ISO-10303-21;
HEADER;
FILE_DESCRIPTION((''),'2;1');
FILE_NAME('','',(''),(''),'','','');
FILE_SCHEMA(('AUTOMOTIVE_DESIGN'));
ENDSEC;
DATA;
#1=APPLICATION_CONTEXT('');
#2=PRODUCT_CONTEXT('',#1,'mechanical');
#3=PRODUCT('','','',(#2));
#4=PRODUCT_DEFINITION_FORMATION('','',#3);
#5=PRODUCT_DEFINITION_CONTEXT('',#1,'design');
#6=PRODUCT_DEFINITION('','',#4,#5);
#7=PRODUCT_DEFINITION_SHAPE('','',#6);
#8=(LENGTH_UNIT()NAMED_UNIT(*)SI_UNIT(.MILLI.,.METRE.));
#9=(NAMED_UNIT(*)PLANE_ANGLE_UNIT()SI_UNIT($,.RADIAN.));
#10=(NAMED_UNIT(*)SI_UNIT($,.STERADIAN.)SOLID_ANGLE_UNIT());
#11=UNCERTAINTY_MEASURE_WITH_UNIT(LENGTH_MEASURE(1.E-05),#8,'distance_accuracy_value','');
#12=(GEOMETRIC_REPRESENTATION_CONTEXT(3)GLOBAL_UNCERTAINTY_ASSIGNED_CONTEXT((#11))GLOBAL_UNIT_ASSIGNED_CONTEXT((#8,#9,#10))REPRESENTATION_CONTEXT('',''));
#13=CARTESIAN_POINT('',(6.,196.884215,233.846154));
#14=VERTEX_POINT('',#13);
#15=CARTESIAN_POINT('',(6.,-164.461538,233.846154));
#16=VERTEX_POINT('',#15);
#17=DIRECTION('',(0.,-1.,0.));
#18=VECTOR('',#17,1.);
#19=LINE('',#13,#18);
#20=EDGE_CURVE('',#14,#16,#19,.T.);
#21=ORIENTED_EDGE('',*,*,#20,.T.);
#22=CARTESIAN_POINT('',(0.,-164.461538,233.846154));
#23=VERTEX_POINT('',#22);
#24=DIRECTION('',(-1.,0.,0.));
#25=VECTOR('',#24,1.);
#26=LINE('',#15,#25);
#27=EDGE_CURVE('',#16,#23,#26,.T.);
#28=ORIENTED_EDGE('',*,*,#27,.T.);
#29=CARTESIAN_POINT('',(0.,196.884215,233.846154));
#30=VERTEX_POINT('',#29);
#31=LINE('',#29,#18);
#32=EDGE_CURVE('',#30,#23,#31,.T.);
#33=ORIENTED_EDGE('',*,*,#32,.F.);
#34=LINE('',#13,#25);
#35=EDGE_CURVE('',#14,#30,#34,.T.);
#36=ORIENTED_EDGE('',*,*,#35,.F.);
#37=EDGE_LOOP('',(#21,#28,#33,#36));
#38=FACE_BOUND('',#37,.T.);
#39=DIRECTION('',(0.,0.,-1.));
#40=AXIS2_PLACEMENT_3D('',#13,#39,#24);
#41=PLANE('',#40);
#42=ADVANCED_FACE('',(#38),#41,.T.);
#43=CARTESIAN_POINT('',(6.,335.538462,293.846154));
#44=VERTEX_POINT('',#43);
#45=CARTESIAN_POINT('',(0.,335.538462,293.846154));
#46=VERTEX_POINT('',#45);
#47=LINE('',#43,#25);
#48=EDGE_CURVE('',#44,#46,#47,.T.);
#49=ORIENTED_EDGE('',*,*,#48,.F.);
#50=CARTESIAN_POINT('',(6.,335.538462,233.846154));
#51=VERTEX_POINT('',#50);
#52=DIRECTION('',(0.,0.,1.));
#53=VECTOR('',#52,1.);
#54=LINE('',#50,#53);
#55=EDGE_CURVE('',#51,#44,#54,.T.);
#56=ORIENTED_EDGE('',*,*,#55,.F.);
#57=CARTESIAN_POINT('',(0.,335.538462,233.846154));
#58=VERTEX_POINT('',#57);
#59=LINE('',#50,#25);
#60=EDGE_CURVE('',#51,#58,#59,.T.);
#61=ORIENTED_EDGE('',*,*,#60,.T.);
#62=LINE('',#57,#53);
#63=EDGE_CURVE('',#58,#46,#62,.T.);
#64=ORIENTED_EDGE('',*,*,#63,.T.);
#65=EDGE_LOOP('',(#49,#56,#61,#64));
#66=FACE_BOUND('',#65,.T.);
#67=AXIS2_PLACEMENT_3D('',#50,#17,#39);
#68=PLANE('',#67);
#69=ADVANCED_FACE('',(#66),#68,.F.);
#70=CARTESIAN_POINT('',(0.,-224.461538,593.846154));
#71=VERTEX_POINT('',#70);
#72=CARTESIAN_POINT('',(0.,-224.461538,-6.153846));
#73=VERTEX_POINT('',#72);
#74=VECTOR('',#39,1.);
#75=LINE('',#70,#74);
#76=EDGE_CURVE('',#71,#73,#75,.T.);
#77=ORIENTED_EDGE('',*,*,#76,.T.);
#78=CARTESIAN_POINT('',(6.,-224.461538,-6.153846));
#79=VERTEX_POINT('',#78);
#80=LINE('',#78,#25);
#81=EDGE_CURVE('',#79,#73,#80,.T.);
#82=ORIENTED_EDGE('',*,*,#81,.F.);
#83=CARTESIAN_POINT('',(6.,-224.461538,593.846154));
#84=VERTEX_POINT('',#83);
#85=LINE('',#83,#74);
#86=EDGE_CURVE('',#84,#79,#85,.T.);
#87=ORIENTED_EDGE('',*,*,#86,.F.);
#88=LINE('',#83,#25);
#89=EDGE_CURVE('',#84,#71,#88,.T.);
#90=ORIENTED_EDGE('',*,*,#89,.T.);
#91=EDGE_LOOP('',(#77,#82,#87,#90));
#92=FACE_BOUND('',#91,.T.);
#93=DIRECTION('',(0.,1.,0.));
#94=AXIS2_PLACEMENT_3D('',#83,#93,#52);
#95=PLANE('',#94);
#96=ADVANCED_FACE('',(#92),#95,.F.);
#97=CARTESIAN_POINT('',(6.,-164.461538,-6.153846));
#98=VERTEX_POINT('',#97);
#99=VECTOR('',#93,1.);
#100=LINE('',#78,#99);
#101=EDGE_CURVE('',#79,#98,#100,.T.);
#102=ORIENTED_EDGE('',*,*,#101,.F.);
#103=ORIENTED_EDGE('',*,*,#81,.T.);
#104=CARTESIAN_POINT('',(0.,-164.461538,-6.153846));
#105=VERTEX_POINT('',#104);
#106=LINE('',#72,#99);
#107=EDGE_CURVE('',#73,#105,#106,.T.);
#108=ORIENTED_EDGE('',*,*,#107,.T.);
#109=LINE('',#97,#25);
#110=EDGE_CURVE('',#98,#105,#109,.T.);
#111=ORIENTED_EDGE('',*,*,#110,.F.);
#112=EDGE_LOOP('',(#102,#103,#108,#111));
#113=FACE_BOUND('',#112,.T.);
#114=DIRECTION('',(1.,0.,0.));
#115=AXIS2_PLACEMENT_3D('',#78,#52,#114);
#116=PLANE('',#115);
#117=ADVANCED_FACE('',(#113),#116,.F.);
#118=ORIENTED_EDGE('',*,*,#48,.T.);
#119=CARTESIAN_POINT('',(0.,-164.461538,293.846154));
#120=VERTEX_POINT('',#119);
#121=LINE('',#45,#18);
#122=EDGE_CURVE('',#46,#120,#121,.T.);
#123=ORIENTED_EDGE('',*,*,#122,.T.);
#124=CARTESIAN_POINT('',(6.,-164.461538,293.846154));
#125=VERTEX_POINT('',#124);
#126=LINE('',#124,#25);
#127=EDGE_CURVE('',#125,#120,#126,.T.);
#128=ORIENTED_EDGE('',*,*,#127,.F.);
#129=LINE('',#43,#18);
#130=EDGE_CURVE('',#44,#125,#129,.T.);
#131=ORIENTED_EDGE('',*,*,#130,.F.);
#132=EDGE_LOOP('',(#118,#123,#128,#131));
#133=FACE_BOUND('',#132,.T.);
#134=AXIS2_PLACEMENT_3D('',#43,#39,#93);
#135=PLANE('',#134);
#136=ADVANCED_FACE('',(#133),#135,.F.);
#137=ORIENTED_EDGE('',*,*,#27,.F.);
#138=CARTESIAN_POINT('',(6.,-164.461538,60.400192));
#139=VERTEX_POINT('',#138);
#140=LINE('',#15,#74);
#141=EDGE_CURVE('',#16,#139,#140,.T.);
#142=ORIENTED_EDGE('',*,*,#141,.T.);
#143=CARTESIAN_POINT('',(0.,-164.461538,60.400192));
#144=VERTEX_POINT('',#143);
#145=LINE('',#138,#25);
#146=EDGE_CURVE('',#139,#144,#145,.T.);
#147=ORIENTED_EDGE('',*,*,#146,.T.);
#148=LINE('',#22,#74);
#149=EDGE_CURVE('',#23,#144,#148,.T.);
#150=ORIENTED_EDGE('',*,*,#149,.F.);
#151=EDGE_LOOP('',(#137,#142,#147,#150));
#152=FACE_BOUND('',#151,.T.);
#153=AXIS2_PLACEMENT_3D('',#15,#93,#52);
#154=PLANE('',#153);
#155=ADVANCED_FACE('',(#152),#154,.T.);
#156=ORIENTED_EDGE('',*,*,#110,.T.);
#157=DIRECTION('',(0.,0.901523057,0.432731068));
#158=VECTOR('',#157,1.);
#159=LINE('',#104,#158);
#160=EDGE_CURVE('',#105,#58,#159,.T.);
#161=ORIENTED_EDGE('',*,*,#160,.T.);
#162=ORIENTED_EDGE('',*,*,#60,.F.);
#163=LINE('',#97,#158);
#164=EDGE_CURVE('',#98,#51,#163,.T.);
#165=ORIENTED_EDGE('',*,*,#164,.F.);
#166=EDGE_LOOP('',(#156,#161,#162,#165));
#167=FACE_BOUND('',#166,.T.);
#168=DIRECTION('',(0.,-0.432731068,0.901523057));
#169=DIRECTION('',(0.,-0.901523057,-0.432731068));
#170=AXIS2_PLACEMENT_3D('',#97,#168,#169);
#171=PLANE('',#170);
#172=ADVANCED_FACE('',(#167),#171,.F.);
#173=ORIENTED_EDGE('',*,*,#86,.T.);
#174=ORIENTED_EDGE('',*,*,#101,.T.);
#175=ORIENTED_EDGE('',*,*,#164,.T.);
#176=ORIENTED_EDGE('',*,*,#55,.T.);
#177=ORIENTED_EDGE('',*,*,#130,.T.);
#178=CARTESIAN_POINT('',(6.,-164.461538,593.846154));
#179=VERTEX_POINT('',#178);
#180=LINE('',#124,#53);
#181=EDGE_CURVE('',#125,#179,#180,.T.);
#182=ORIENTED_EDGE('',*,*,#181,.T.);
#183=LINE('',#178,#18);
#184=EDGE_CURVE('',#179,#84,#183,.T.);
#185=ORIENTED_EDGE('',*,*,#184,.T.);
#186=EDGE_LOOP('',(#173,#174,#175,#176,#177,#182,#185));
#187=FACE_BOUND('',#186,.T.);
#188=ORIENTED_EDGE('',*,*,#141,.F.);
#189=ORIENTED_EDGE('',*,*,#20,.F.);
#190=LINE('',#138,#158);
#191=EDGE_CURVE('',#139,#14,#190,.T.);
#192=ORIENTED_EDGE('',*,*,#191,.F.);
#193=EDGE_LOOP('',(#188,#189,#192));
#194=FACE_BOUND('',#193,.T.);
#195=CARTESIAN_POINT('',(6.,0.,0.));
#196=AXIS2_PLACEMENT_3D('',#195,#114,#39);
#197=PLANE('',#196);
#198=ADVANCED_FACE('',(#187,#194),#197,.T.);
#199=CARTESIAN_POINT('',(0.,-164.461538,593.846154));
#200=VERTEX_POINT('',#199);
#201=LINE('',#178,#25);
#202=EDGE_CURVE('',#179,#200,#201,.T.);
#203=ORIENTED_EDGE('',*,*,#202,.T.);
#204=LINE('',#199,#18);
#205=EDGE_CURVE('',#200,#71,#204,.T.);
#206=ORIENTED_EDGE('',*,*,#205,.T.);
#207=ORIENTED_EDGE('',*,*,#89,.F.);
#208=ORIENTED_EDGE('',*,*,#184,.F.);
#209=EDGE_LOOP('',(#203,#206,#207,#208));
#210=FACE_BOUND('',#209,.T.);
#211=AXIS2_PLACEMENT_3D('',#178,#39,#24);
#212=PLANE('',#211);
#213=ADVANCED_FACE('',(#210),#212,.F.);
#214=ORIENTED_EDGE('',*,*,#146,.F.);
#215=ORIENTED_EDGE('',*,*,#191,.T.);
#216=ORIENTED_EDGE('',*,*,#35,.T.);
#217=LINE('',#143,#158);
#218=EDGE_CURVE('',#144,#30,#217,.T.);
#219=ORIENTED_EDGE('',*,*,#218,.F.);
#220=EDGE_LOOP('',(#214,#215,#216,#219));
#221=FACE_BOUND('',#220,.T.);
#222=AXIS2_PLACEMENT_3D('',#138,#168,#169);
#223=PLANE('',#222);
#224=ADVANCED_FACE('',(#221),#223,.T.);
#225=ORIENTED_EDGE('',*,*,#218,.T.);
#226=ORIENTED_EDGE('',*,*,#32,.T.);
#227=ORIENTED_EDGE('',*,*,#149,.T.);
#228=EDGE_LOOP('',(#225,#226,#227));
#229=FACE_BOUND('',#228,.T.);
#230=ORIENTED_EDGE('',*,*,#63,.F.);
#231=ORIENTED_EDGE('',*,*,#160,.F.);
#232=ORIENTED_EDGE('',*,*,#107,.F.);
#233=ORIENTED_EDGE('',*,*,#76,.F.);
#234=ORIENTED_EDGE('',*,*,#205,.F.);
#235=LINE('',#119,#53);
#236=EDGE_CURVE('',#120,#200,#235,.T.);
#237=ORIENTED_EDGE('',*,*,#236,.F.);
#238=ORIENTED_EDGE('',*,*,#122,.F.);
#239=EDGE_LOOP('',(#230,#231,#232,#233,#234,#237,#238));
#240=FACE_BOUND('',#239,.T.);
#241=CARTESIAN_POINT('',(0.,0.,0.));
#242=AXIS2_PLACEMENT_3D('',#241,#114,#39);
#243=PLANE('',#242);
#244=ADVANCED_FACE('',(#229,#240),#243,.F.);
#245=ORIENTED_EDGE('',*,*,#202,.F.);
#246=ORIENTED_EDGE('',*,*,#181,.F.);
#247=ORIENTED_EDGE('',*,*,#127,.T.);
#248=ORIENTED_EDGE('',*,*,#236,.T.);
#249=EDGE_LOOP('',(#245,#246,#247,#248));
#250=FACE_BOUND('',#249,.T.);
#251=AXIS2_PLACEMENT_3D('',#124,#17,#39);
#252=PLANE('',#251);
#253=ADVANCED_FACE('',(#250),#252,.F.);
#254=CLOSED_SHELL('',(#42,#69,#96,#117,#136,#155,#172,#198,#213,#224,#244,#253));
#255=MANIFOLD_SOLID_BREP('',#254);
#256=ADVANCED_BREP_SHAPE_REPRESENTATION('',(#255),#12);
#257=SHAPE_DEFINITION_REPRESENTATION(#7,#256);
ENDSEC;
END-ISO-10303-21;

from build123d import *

# Parameters (mm, degrees)
EXTRUDE_500_DEPTH = 6


with BuildPart() as part:
    # Sketch 492 → Extrude 500 (new body)
    with BuildSketch(Plane(origin=(0, 0, 0), x_dir=(0, 0, -1), z_dir=(1, 0, 0))):
        Polygon((-593.846153846, -224.461538462), (6.153846154, -224.461538462), (6.153846154, -164.461538462), (-233.846153846, 335.538461538), (-293.846153846, 335.538461538), (-293.846153846, -164.461538462), (-593.846153846, -164.461538462), align=None)
        Polygon((-233.846153846, -164.461538462), (-60.400192041, -164.461538462), (-233.846153846, 196.8842153), align=None, mode=Mode.SUBTRACT)
    extrude(amount=EXTRUDE_500_DEPTH)


solid = part.part
